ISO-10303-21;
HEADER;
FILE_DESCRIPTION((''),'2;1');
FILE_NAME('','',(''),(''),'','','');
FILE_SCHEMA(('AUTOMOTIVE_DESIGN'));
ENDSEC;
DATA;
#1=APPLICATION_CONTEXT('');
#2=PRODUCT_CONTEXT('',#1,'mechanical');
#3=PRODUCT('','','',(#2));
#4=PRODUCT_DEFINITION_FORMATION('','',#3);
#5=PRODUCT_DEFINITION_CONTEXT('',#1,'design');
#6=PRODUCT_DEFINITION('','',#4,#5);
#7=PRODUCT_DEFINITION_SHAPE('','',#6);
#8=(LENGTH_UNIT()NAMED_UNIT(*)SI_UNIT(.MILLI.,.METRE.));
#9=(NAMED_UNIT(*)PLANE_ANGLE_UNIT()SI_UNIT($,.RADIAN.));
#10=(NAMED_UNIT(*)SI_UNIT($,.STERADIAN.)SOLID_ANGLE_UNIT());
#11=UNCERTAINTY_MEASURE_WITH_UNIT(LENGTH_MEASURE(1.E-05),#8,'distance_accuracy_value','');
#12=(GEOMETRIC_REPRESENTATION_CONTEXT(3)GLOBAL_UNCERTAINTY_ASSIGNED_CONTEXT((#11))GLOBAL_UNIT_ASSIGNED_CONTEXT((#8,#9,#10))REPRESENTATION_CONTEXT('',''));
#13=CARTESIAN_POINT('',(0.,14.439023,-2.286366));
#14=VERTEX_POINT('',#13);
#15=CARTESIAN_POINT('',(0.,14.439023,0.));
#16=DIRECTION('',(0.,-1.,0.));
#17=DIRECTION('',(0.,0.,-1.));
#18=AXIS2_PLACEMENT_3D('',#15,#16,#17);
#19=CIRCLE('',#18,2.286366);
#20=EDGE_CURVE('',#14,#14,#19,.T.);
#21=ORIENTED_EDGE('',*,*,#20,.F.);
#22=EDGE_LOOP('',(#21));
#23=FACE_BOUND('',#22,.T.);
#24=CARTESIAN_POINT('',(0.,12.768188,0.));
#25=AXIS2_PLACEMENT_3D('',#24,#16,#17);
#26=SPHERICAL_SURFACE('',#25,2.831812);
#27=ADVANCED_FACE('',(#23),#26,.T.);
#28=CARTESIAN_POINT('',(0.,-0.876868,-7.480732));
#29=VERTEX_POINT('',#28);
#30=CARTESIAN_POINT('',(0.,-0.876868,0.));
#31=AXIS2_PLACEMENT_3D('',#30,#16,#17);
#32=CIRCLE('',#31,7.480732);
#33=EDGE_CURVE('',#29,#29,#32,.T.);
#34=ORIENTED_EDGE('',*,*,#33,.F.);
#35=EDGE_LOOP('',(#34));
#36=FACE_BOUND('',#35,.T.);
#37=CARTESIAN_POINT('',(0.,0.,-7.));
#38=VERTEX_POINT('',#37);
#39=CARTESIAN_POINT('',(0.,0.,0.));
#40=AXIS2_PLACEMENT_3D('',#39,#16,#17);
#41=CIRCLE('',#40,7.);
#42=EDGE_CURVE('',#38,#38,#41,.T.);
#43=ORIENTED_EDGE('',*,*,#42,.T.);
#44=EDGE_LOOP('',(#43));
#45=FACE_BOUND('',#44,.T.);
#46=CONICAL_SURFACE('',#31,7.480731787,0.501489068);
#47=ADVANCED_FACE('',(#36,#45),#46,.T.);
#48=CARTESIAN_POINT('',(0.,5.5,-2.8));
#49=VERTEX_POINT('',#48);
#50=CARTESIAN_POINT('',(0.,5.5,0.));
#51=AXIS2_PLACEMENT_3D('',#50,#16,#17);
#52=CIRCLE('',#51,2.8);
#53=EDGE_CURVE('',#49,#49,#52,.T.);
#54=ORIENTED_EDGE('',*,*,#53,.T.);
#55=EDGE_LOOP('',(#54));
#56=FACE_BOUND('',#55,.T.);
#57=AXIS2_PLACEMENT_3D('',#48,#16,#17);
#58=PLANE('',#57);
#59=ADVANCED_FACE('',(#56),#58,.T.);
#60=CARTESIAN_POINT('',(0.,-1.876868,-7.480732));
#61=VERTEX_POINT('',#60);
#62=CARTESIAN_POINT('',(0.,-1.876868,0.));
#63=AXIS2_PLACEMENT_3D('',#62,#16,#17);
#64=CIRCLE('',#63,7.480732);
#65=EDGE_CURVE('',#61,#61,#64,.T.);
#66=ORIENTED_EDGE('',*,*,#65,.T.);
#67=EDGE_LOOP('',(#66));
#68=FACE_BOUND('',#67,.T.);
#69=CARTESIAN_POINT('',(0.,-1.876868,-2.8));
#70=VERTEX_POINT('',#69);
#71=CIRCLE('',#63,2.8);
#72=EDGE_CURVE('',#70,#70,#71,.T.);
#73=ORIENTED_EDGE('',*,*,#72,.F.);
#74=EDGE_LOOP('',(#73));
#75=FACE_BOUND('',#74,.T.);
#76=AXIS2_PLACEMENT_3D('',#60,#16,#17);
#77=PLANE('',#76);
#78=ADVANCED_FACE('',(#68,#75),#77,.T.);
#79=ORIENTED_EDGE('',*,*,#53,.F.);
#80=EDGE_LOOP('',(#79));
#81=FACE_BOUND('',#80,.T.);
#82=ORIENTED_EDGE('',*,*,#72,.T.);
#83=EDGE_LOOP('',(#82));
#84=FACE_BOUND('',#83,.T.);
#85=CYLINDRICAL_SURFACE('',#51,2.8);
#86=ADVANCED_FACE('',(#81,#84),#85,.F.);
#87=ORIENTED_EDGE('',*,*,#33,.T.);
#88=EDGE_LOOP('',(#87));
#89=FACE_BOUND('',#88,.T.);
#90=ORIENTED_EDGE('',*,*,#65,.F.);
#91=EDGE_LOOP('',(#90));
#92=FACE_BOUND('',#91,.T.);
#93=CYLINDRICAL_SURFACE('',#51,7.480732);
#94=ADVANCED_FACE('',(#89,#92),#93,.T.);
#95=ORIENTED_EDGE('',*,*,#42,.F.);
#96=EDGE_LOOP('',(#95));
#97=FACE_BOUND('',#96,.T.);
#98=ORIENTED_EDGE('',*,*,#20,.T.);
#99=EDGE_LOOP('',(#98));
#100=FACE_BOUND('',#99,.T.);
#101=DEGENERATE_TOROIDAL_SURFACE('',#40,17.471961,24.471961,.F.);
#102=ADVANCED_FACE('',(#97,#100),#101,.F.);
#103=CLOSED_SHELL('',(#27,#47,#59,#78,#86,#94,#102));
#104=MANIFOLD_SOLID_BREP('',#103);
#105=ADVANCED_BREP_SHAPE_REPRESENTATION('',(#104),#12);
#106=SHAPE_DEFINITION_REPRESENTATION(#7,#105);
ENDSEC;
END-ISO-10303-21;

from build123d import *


with BuildPart() as part:
    # Sketch1 → Revolve1 (revolve)
    with BuildSketch(Plane(origin=(0, 0, 0), x_dir=(0, 0, -1), z_dir=(1, 0, 0))):
        with BuildLine():
            Line((2.8, 0), (2.8, 5.5))
            Line((2.8, 5.5), (0, 5.5))
            Line((0, 5.5), (0, 15.6))
            ThreePointArc((0, 15.6), (1.282121246, 15.293128453), (2.286366324, 14.439022569))
            ThreePointArc((2.286366324, 14.439022569), (5.791764957, 7.594466986), (7, 0))
            Line((7, 0), (7.480731787, -0.876867692))
            Line((7.480731787, -0.876867692), (7.480731787, -1.876867692))
            Line((7.480731787, -1.876867692), (2.8, -1.876867692))
            Line((2.8, -1.876867692), (2.8, 0))
        make_face()
    revolve(axis=Axis((0, 5.5, 0), (0, 1, 0)))


solid = part.part
